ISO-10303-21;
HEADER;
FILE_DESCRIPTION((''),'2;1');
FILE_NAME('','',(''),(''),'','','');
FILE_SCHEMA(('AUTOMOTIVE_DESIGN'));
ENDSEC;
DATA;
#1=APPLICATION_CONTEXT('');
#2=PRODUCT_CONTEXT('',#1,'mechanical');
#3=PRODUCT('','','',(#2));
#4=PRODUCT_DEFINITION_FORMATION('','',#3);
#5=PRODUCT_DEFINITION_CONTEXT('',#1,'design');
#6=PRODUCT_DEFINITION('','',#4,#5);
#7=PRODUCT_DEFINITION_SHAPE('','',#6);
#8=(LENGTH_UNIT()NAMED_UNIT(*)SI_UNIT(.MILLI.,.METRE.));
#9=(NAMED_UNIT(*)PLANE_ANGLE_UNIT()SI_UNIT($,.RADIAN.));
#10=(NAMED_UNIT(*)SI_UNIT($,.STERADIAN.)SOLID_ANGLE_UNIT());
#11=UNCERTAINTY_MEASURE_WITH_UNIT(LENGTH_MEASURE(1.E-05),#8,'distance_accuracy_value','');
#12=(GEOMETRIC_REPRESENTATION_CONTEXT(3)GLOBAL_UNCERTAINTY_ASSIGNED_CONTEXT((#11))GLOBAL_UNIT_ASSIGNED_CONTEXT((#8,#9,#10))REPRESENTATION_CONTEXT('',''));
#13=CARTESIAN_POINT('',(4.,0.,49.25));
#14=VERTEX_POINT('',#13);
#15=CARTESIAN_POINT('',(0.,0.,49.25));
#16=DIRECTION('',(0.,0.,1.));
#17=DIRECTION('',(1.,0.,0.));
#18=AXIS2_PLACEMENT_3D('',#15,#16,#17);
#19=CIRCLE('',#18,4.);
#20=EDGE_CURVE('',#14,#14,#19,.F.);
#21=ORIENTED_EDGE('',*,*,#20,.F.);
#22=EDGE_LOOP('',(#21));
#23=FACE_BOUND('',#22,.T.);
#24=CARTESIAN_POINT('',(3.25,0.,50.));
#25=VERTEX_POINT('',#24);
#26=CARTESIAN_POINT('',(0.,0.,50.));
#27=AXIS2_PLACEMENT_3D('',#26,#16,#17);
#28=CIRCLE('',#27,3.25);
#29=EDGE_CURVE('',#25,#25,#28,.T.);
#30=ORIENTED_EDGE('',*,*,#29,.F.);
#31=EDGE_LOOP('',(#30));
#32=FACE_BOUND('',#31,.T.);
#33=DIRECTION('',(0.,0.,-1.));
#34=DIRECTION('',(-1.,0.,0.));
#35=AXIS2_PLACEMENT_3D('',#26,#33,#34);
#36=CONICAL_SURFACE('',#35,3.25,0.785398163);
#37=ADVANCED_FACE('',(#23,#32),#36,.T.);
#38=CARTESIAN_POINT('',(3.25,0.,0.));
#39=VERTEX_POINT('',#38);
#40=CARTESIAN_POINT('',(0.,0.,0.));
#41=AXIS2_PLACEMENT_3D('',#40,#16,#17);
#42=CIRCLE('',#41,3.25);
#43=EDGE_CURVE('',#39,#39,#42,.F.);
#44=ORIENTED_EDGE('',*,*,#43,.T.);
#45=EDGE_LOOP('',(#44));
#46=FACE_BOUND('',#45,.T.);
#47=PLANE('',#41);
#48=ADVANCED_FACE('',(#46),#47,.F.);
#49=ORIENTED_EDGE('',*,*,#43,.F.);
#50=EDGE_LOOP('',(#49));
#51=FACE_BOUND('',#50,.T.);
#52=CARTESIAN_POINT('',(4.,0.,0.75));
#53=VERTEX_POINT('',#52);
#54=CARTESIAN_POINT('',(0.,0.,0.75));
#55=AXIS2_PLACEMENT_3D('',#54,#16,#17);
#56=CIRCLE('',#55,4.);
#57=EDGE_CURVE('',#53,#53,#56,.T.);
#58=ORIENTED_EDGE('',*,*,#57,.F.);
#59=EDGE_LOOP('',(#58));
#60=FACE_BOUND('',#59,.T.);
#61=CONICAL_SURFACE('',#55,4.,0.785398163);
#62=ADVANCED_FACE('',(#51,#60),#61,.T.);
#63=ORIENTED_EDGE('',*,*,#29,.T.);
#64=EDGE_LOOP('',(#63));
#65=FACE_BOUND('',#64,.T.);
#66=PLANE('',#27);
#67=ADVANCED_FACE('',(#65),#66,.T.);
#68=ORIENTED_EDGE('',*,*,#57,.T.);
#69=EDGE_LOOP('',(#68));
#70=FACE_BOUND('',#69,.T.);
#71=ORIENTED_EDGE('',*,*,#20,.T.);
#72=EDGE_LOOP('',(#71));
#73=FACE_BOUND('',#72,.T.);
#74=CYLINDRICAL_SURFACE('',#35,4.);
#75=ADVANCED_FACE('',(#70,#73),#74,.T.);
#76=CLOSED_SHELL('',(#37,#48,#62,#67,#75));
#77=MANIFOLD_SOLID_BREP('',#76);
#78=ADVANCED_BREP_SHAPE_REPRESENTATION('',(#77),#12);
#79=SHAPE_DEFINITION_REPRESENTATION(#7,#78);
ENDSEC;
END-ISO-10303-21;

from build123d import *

# Parameters (mm, degrees)
SKETCH1_R           = 4
BOSS_EXTRUDE1_DEPTH = 50
CHAMFER1_SIZE       = 0.75


with BuildPart() as part:
    # Sketch1 → Boss-Extrude1 (new body)
    with BuildSketch(Plane.XY):
        Circle(SKETCH1_R)
    extrude(amount=BOSS_EXTRUDE1_DEPTH)

    # Chamfer1
    chamfer1_edges = [part.edges().sort_by_distance(p)[0] for p in [
        (-4, 0, 0),
        (-4, 0, 50),
    ]]
    chamfer(chamfer1_edges, length=CHAMFER1_SIZE)


solid = part.part
